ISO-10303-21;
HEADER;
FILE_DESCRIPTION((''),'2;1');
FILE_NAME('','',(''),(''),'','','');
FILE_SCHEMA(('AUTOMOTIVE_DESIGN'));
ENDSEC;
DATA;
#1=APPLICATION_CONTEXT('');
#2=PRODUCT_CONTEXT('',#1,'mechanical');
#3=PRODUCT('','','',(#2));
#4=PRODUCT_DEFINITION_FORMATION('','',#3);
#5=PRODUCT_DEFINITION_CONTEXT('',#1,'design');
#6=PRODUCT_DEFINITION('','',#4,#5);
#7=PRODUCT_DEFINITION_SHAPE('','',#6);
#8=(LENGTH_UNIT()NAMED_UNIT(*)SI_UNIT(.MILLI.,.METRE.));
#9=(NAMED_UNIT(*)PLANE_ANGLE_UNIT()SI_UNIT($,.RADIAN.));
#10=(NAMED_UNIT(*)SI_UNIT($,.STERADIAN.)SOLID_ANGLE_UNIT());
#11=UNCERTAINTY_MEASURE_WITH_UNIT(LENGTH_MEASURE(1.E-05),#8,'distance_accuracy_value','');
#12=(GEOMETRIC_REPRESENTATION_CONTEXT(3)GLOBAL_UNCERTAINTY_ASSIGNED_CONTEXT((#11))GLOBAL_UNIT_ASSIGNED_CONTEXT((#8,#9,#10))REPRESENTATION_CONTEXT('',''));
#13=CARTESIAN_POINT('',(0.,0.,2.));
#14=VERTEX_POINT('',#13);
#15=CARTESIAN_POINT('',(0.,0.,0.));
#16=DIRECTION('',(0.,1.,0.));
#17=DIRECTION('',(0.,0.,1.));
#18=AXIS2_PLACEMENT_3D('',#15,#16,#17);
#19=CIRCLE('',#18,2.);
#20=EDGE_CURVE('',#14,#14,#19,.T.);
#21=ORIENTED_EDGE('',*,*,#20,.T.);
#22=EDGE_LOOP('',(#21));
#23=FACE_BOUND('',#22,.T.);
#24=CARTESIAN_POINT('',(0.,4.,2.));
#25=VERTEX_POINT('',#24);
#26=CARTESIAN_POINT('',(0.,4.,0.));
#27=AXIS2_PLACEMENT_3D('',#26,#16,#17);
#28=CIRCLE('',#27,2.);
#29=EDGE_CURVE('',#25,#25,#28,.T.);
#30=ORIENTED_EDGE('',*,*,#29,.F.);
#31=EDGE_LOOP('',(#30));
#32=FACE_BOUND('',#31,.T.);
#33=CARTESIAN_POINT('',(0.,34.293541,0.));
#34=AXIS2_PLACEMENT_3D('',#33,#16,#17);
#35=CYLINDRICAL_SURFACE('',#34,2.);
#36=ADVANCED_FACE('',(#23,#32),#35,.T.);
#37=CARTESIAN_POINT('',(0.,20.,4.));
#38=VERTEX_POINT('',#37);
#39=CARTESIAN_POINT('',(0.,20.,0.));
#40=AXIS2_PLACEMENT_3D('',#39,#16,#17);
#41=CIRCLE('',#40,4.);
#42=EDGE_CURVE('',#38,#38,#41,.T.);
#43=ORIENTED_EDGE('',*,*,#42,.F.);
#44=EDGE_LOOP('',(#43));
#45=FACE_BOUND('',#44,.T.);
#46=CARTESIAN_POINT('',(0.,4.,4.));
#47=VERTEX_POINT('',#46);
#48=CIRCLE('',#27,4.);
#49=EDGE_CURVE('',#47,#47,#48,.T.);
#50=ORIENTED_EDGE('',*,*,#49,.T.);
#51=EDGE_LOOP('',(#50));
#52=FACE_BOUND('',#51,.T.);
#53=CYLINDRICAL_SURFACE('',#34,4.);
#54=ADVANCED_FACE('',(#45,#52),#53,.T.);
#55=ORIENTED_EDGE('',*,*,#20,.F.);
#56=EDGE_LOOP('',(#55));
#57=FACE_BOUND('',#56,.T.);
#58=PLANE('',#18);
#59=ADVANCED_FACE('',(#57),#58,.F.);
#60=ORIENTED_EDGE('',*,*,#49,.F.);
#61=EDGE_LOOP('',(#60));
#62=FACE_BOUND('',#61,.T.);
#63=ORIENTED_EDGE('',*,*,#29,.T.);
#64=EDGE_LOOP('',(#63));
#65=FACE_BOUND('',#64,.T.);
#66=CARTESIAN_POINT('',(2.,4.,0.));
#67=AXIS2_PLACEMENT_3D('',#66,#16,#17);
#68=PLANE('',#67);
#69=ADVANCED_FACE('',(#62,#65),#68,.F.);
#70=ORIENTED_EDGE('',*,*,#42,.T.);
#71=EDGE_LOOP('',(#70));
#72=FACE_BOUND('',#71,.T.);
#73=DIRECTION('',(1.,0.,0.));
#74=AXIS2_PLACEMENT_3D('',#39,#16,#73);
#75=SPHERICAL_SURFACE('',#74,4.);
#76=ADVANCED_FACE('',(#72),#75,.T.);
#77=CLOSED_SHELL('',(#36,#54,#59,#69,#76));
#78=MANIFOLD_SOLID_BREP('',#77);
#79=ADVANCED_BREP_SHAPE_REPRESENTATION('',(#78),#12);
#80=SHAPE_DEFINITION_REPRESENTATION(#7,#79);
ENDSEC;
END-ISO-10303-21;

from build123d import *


with BuildPart() as part:
    # Sketch2 → Revolve1 (revolve)
    with BuildSketch(Plane.XY):
        with BuildLine():
            Line((0, 0), (2, 0))
            Line((2, 0), (2, 4))
            Line((2, 4), (4, 4))
            Line((4, 4), (4, 20))
            ThreePointArc((4, 20), (2.828427125, 22.828427125), (0, 24))
            Line((0, 24), (0, 0))
        make_face()
    revolve(axis=Axis((0, 34.293540803, 0), (0, -1, 0)))


solid = part.part
